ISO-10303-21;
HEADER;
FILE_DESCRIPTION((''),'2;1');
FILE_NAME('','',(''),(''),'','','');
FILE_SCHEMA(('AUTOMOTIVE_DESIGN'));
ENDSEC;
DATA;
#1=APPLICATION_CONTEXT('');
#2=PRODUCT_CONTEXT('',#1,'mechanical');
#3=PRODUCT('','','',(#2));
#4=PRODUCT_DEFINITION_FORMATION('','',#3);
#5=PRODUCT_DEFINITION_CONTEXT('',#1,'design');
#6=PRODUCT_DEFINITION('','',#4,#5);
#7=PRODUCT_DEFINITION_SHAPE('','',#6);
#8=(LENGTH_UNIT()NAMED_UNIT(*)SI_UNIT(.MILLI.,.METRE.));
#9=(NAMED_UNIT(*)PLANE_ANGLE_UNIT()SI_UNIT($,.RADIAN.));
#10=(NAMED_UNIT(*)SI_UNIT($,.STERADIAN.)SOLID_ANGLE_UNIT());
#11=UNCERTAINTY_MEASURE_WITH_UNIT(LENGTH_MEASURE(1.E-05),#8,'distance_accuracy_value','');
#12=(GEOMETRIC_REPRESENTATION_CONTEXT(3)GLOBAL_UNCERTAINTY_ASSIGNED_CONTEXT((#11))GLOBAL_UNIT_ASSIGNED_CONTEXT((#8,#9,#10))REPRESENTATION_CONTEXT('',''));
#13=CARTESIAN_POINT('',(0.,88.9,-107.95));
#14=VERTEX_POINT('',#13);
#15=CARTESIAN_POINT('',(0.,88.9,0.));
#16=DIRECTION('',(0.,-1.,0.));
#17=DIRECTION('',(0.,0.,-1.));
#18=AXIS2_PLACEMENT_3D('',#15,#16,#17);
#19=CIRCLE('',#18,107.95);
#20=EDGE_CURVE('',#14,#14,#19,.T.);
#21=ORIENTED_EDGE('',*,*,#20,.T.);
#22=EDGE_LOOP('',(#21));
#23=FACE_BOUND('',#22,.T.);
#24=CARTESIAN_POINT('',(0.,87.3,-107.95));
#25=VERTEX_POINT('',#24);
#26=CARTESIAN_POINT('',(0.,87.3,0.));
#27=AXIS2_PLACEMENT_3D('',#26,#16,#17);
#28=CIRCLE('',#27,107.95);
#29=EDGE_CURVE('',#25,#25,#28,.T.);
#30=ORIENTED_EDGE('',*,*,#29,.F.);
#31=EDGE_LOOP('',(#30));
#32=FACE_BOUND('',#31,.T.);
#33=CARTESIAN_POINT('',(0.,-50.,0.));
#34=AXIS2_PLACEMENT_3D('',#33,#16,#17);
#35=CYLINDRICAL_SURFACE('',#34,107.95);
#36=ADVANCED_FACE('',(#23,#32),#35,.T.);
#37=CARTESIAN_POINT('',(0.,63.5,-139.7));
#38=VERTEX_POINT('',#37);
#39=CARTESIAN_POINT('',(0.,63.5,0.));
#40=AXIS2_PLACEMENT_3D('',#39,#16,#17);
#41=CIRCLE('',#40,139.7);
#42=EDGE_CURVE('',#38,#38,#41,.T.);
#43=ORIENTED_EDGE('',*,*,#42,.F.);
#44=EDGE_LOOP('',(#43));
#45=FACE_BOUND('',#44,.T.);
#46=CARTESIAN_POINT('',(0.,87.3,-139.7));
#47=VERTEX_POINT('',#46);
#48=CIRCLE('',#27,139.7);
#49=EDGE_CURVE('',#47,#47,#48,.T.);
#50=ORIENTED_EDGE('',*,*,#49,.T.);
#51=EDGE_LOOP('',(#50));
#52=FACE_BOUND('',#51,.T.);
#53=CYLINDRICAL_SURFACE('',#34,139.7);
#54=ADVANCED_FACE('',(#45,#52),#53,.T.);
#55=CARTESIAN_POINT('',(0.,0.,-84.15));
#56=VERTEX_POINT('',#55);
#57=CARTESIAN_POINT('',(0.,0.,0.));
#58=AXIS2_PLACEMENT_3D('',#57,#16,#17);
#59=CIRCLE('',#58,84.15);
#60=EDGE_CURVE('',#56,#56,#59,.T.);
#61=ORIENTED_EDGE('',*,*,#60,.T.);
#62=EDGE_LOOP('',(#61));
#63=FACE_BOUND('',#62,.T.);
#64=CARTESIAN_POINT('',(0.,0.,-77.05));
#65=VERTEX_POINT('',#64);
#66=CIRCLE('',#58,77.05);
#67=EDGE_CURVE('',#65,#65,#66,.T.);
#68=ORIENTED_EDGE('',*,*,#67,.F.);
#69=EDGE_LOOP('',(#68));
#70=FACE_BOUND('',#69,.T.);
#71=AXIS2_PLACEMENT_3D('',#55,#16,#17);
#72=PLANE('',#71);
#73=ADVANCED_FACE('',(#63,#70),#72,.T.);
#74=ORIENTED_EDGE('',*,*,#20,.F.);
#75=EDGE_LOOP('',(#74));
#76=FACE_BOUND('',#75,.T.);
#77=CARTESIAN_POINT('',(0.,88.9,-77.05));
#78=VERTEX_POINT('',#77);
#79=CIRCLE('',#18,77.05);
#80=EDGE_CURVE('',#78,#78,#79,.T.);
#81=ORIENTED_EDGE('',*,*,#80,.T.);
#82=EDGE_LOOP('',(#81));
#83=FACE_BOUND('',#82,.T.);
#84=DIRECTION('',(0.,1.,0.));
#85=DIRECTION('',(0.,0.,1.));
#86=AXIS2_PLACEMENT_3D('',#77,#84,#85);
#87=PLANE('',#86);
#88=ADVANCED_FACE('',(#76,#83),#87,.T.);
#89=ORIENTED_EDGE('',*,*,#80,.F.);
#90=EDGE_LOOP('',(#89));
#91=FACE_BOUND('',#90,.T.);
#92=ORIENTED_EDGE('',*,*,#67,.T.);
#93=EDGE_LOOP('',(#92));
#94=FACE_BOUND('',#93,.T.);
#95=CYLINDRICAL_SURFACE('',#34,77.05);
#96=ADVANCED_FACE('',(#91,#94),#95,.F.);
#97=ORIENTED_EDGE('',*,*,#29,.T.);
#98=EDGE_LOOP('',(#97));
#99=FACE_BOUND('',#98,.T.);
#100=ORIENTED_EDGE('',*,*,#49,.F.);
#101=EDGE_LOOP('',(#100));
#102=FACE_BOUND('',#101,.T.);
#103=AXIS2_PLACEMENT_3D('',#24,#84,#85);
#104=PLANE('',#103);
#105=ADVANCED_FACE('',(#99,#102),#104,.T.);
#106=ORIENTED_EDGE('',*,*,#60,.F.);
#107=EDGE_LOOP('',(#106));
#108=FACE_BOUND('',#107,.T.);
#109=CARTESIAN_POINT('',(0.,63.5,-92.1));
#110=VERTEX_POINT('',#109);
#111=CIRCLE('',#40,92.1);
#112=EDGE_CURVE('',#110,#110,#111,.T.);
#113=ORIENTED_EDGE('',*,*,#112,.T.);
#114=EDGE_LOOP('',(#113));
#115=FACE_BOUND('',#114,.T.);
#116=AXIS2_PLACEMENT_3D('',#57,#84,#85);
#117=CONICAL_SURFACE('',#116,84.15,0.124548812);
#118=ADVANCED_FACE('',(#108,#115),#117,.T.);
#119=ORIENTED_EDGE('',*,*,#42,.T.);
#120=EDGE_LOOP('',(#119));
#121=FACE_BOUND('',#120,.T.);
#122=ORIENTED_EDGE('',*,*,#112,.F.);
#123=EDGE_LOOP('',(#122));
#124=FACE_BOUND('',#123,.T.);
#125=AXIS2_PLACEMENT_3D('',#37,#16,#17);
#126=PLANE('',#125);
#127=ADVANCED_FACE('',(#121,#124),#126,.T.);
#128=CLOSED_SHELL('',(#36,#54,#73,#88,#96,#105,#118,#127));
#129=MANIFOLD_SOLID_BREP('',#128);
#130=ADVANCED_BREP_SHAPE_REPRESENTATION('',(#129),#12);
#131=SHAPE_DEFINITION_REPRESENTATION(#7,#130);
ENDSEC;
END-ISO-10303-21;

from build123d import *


with BuildPart() as part:
    # Sketch1 → Revolve1 (revolve)
    with BuildSketch(Plane(origin=(0, 0, 0), x_dir=(0, 0, -1), z_dir=(1, 0, 0))):
        Polygon((77.05, 0), (77.05, 88.9), (107.95, 88.9), (107.95, 87.3), (139.7, 87.3), (139.7, 63.5), (92.1, 63.5), (84.15, 0), align=None)
    revolve(axis=Axis((0, -50, 0), (0, 1, 0)))


solid = part.part
